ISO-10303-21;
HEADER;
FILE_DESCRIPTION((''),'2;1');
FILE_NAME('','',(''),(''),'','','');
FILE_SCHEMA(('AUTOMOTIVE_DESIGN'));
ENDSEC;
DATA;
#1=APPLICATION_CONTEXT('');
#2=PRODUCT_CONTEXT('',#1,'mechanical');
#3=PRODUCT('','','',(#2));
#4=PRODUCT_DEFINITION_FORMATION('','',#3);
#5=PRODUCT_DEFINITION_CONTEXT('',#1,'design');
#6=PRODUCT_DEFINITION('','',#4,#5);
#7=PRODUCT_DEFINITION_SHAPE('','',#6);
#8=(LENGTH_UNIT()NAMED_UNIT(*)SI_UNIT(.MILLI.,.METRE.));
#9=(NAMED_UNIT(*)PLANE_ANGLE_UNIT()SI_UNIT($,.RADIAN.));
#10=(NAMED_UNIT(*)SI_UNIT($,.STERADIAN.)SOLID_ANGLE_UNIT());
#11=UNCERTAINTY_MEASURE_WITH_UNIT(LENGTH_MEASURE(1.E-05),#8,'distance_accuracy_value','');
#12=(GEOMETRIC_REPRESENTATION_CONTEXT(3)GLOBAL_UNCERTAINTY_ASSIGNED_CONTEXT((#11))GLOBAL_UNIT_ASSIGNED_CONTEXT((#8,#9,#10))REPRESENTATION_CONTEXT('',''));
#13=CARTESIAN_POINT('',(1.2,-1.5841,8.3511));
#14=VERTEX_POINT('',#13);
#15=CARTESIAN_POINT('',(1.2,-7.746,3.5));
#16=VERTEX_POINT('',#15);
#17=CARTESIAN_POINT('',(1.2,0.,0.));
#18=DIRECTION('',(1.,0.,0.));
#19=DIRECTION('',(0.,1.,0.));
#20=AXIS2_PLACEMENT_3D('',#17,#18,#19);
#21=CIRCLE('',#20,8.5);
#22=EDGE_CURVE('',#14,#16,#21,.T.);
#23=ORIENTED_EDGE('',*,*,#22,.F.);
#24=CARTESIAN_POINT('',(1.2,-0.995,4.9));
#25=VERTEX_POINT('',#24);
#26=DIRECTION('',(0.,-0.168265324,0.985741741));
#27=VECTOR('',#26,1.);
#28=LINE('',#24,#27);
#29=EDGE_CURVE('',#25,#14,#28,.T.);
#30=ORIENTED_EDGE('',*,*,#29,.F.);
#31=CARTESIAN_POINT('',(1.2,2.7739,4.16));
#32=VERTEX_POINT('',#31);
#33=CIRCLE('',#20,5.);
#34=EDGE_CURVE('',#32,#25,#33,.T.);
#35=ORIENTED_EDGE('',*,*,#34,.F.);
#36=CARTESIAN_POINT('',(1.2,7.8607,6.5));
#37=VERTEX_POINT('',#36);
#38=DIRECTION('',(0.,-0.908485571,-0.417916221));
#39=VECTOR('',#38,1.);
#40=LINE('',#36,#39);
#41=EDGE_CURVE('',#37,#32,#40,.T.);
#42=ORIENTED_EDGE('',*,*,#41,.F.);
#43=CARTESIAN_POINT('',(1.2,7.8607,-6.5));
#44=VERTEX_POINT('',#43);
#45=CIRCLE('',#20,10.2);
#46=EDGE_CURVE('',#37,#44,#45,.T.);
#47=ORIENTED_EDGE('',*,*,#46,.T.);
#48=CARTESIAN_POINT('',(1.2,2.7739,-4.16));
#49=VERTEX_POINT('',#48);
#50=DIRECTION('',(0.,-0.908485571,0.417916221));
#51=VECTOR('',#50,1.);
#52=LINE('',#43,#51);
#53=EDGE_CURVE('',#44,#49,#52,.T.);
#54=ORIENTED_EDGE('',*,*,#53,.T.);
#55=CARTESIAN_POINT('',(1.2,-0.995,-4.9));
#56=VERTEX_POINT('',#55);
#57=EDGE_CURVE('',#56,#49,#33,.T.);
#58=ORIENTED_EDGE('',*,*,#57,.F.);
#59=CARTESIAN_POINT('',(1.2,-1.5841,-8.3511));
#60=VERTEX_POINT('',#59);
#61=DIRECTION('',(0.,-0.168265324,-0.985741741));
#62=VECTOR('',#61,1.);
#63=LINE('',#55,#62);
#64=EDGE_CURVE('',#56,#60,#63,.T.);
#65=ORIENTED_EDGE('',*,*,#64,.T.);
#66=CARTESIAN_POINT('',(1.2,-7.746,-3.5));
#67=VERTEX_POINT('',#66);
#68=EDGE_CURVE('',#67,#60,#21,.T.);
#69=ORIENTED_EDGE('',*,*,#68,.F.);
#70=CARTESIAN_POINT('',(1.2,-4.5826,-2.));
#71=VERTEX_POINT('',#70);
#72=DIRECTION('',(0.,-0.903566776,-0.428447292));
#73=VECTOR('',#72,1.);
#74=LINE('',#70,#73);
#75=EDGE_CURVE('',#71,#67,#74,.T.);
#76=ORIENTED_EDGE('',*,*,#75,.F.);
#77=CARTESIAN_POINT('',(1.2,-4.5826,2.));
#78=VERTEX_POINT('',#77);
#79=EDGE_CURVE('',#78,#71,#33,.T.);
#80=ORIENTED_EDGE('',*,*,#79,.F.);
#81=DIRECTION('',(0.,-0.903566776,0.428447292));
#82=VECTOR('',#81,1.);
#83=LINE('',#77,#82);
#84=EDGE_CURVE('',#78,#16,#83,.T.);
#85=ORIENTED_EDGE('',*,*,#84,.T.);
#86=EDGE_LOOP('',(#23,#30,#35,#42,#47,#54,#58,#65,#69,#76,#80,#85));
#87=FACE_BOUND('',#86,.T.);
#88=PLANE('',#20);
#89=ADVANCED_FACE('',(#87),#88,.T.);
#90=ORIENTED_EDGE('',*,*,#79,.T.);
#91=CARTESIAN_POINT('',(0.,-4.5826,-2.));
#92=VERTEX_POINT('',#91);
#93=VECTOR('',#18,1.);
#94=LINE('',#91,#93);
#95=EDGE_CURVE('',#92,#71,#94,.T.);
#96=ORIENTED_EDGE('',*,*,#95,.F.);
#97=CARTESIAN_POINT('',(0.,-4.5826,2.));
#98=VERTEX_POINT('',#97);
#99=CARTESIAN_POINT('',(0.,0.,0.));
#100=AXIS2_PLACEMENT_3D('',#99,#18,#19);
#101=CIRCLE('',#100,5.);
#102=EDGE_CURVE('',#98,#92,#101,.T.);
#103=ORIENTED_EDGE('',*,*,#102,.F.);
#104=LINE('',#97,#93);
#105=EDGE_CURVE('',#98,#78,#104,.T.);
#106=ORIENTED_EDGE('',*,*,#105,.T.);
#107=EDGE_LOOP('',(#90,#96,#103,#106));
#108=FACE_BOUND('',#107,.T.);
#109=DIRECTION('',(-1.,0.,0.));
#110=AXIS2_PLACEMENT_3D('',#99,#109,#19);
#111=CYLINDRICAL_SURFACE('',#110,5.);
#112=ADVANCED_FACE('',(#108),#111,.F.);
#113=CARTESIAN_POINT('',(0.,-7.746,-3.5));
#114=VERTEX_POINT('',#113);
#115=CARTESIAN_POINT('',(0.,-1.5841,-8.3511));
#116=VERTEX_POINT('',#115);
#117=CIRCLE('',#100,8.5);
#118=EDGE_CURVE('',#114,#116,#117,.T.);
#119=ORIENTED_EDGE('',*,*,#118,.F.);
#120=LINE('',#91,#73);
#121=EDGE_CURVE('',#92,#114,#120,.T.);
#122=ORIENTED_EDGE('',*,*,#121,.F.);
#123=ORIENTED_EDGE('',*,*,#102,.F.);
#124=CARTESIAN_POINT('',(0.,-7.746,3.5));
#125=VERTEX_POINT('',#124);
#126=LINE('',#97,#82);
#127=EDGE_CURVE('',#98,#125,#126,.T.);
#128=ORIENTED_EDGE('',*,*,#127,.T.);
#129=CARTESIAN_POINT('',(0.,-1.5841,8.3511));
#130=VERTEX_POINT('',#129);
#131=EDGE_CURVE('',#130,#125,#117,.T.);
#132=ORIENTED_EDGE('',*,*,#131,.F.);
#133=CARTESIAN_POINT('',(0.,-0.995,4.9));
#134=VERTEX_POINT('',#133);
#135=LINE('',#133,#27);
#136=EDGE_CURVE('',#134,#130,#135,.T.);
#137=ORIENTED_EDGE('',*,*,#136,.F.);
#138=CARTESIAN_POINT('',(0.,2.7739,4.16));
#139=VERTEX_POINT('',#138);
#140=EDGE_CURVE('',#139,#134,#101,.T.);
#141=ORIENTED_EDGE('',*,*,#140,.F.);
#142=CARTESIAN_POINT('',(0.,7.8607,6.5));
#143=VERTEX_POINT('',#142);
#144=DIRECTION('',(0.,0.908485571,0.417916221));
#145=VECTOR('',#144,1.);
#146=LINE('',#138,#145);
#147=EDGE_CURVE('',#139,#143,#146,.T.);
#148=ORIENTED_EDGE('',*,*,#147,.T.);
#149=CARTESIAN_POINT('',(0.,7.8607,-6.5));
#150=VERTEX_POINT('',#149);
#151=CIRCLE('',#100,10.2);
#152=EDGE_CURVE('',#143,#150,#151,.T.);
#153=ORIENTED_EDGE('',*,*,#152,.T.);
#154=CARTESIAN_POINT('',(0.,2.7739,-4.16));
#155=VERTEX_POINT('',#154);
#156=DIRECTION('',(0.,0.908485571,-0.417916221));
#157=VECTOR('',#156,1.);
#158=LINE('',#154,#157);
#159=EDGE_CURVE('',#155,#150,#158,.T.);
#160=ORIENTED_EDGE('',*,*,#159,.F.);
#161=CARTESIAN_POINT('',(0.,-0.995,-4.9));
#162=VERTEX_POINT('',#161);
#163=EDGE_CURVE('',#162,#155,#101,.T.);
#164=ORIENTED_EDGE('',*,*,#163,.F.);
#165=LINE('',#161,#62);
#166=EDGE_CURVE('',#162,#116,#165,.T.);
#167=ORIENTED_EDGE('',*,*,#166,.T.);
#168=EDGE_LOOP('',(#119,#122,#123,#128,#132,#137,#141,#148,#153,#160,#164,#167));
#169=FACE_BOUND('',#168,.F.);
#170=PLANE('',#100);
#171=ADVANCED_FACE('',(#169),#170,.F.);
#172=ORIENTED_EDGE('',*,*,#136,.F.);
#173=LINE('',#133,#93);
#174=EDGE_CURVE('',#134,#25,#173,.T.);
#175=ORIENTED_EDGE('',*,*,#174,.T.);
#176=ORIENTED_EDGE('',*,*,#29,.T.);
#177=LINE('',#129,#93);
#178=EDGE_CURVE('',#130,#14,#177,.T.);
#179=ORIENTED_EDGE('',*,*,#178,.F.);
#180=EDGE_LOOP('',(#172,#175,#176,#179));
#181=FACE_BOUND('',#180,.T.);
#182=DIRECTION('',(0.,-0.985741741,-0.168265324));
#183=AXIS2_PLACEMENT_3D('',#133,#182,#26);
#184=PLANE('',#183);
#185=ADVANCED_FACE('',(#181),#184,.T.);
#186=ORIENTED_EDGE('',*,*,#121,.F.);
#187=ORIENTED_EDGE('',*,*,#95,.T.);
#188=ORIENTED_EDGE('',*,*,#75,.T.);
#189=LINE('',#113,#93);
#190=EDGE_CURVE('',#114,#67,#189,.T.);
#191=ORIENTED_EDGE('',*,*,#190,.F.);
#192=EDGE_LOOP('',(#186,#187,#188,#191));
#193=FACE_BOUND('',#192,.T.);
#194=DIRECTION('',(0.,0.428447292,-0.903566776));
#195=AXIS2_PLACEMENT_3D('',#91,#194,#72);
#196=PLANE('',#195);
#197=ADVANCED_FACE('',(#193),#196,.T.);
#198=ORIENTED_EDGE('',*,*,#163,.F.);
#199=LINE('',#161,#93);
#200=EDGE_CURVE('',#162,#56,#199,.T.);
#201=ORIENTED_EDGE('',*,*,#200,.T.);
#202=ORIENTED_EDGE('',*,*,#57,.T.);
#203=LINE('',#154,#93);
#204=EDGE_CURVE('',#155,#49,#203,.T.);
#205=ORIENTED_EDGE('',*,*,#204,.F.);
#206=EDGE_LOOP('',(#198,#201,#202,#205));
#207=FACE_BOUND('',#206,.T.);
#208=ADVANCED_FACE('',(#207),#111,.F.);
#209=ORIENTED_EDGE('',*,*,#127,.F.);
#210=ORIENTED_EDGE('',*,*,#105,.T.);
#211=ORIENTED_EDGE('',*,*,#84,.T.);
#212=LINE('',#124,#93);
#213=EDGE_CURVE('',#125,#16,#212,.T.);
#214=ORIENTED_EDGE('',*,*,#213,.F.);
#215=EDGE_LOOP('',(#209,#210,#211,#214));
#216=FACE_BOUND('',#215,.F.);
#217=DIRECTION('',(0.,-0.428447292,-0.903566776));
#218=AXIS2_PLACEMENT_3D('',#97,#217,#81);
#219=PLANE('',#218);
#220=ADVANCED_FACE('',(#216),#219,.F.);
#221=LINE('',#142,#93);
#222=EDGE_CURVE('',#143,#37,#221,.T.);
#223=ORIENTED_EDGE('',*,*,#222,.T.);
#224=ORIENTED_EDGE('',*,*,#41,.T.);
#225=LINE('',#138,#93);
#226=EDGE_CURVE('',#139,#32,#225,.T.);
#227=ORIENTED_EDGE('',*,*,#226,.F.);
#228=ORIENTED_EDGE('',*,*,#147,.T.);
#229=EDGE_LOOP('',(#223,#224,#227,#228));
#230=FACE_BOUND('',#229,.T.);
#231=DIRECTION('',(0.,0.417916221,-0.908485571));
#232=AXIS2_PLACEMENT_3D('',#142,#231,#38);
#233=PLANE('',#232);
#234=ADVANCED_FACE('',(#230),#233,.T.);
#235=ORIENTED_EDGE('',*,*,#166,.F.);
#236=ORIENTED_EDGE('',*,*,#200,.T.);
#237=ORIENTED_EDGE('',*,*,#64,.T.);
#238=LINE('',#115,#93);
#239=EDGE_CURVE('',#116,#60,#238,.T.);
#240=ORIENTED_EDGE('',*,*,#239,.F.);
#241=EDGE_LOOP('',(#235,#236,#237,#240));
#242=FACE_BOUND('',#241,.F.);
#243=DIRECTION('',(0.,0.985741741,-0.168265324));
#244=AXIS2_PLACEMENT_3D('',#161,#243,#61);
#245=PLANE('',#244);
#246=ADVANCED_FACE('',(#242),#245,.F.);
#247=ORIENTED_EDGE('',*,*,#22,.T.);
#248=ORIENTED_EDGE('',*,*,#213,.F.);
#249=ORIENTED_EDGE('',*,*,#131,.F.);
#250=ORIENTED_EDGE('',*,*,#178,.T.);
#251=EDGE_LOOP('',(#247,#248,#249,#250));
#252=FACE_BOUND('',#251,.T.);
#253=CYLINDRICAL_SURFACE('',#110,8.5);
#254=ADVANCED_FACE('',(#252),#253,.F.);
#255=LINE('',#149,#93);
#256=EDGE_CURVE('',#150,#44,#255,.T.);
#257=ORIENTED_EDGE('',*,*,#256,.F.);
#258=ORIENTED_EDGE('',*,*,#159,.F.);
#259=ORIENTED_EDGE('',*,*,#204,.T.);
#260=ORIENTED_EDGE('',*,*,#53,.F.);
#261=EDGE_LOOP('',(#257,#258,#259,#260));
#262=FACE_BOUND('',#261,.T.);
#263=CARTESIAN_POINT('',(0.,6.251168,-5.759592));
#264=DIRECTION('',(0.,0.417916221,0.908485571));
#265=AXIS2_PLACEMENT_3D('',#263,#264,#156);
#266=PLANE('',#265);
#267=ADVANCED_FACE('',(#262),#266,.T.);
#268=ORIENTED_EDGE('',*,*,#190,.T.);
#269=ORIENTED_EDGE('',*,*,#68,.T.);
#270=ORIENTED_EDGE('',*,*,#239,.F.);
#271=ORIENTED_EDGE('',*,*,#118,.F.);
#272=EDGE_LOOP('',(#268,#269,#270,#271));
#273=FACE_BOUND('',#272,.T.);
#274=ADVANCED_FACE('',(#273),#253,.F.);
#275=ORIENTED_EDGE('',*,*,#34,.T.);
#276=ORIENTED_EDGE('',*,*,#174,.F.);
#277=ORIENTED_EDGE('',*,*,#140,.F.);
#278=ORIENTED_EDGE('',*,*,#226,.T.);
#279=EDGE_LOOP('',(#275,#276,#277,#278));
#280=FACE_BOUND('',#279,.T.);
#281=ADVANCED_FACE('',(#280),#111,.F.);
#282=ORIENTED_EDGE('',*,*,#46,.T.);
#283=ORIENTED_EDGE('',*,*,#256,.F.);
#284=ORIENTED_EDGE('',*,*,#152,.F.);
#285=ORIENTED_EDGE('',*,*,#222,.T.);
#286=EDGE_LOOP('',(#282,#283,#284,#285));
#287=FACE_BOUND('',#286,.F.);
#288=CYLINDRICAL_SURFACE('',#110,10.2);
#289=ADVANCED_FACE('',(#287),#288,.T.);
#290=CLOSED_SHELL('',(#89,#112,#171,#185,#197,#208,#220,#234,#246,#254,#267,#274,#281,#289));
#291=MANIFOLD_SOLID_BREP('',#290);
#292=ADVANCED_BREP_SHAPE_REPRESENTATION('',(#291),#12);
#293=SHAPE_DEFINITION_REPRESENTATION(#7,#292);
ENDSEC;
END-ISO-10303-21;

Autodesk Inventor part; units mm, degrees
ref_plane "YZ Plane" through (0, 0, 0) normal (1, 0, 0) x (0, 1, 0)
ref_plane "XZ Plane" through (0, 0, 0) normal (0, 1, 0) x (-1, 0, 0)
ref_plane "XY Plane" through (0, 0, 0) normal (0, 0, 1) x (1, 0, 0)
sketch "Sketch1" plane through (0, 0, 0) normal (1, 0, 0) x (0, 1, 0)
  circle A0 centre (0, 0) radius 10.2
  circle A1 centre (0, 0) radius 5
  circle A2 centre (0, 0) radius 8.5
  line L0 (7.8607, 6.5) -> (2.7739, 4.16)
  line L1 (2.7739, -4.16) -> (7.8607, -6.5)
  line L2 (-0.995, 4.9) -> (-1.5841, 8.3511)
  line L3 (-4.5826, 2) -> (-7.746, 3.5)
  line L4 (-4.5826, -2) -> (-7.746, -3.5)
  line L5 (-0.995, -4.9) -> (-1.5841, -8.3511)
  dimension "d0" = 20.4
  dimension "d1" = 10
  dimension "d2" = 8.32
  dimension "d4" = 17
  dimension "d5" = 13
  dimension "d6" = 4
  dimension "d7" = 7
  dimension "d8" = 9.8
extrude "Extrusion1" add sketch "Sketch1" along normal blind 1.2 contours L0 A2 L1 A0 | L0 A1 L2 A2 | A2 L5 A1 L1 | L3 A1 L4 A2 picked at (4.4655, -8.4688)
properties part number "10mm E-Clip" material "Steel, Wrought"
